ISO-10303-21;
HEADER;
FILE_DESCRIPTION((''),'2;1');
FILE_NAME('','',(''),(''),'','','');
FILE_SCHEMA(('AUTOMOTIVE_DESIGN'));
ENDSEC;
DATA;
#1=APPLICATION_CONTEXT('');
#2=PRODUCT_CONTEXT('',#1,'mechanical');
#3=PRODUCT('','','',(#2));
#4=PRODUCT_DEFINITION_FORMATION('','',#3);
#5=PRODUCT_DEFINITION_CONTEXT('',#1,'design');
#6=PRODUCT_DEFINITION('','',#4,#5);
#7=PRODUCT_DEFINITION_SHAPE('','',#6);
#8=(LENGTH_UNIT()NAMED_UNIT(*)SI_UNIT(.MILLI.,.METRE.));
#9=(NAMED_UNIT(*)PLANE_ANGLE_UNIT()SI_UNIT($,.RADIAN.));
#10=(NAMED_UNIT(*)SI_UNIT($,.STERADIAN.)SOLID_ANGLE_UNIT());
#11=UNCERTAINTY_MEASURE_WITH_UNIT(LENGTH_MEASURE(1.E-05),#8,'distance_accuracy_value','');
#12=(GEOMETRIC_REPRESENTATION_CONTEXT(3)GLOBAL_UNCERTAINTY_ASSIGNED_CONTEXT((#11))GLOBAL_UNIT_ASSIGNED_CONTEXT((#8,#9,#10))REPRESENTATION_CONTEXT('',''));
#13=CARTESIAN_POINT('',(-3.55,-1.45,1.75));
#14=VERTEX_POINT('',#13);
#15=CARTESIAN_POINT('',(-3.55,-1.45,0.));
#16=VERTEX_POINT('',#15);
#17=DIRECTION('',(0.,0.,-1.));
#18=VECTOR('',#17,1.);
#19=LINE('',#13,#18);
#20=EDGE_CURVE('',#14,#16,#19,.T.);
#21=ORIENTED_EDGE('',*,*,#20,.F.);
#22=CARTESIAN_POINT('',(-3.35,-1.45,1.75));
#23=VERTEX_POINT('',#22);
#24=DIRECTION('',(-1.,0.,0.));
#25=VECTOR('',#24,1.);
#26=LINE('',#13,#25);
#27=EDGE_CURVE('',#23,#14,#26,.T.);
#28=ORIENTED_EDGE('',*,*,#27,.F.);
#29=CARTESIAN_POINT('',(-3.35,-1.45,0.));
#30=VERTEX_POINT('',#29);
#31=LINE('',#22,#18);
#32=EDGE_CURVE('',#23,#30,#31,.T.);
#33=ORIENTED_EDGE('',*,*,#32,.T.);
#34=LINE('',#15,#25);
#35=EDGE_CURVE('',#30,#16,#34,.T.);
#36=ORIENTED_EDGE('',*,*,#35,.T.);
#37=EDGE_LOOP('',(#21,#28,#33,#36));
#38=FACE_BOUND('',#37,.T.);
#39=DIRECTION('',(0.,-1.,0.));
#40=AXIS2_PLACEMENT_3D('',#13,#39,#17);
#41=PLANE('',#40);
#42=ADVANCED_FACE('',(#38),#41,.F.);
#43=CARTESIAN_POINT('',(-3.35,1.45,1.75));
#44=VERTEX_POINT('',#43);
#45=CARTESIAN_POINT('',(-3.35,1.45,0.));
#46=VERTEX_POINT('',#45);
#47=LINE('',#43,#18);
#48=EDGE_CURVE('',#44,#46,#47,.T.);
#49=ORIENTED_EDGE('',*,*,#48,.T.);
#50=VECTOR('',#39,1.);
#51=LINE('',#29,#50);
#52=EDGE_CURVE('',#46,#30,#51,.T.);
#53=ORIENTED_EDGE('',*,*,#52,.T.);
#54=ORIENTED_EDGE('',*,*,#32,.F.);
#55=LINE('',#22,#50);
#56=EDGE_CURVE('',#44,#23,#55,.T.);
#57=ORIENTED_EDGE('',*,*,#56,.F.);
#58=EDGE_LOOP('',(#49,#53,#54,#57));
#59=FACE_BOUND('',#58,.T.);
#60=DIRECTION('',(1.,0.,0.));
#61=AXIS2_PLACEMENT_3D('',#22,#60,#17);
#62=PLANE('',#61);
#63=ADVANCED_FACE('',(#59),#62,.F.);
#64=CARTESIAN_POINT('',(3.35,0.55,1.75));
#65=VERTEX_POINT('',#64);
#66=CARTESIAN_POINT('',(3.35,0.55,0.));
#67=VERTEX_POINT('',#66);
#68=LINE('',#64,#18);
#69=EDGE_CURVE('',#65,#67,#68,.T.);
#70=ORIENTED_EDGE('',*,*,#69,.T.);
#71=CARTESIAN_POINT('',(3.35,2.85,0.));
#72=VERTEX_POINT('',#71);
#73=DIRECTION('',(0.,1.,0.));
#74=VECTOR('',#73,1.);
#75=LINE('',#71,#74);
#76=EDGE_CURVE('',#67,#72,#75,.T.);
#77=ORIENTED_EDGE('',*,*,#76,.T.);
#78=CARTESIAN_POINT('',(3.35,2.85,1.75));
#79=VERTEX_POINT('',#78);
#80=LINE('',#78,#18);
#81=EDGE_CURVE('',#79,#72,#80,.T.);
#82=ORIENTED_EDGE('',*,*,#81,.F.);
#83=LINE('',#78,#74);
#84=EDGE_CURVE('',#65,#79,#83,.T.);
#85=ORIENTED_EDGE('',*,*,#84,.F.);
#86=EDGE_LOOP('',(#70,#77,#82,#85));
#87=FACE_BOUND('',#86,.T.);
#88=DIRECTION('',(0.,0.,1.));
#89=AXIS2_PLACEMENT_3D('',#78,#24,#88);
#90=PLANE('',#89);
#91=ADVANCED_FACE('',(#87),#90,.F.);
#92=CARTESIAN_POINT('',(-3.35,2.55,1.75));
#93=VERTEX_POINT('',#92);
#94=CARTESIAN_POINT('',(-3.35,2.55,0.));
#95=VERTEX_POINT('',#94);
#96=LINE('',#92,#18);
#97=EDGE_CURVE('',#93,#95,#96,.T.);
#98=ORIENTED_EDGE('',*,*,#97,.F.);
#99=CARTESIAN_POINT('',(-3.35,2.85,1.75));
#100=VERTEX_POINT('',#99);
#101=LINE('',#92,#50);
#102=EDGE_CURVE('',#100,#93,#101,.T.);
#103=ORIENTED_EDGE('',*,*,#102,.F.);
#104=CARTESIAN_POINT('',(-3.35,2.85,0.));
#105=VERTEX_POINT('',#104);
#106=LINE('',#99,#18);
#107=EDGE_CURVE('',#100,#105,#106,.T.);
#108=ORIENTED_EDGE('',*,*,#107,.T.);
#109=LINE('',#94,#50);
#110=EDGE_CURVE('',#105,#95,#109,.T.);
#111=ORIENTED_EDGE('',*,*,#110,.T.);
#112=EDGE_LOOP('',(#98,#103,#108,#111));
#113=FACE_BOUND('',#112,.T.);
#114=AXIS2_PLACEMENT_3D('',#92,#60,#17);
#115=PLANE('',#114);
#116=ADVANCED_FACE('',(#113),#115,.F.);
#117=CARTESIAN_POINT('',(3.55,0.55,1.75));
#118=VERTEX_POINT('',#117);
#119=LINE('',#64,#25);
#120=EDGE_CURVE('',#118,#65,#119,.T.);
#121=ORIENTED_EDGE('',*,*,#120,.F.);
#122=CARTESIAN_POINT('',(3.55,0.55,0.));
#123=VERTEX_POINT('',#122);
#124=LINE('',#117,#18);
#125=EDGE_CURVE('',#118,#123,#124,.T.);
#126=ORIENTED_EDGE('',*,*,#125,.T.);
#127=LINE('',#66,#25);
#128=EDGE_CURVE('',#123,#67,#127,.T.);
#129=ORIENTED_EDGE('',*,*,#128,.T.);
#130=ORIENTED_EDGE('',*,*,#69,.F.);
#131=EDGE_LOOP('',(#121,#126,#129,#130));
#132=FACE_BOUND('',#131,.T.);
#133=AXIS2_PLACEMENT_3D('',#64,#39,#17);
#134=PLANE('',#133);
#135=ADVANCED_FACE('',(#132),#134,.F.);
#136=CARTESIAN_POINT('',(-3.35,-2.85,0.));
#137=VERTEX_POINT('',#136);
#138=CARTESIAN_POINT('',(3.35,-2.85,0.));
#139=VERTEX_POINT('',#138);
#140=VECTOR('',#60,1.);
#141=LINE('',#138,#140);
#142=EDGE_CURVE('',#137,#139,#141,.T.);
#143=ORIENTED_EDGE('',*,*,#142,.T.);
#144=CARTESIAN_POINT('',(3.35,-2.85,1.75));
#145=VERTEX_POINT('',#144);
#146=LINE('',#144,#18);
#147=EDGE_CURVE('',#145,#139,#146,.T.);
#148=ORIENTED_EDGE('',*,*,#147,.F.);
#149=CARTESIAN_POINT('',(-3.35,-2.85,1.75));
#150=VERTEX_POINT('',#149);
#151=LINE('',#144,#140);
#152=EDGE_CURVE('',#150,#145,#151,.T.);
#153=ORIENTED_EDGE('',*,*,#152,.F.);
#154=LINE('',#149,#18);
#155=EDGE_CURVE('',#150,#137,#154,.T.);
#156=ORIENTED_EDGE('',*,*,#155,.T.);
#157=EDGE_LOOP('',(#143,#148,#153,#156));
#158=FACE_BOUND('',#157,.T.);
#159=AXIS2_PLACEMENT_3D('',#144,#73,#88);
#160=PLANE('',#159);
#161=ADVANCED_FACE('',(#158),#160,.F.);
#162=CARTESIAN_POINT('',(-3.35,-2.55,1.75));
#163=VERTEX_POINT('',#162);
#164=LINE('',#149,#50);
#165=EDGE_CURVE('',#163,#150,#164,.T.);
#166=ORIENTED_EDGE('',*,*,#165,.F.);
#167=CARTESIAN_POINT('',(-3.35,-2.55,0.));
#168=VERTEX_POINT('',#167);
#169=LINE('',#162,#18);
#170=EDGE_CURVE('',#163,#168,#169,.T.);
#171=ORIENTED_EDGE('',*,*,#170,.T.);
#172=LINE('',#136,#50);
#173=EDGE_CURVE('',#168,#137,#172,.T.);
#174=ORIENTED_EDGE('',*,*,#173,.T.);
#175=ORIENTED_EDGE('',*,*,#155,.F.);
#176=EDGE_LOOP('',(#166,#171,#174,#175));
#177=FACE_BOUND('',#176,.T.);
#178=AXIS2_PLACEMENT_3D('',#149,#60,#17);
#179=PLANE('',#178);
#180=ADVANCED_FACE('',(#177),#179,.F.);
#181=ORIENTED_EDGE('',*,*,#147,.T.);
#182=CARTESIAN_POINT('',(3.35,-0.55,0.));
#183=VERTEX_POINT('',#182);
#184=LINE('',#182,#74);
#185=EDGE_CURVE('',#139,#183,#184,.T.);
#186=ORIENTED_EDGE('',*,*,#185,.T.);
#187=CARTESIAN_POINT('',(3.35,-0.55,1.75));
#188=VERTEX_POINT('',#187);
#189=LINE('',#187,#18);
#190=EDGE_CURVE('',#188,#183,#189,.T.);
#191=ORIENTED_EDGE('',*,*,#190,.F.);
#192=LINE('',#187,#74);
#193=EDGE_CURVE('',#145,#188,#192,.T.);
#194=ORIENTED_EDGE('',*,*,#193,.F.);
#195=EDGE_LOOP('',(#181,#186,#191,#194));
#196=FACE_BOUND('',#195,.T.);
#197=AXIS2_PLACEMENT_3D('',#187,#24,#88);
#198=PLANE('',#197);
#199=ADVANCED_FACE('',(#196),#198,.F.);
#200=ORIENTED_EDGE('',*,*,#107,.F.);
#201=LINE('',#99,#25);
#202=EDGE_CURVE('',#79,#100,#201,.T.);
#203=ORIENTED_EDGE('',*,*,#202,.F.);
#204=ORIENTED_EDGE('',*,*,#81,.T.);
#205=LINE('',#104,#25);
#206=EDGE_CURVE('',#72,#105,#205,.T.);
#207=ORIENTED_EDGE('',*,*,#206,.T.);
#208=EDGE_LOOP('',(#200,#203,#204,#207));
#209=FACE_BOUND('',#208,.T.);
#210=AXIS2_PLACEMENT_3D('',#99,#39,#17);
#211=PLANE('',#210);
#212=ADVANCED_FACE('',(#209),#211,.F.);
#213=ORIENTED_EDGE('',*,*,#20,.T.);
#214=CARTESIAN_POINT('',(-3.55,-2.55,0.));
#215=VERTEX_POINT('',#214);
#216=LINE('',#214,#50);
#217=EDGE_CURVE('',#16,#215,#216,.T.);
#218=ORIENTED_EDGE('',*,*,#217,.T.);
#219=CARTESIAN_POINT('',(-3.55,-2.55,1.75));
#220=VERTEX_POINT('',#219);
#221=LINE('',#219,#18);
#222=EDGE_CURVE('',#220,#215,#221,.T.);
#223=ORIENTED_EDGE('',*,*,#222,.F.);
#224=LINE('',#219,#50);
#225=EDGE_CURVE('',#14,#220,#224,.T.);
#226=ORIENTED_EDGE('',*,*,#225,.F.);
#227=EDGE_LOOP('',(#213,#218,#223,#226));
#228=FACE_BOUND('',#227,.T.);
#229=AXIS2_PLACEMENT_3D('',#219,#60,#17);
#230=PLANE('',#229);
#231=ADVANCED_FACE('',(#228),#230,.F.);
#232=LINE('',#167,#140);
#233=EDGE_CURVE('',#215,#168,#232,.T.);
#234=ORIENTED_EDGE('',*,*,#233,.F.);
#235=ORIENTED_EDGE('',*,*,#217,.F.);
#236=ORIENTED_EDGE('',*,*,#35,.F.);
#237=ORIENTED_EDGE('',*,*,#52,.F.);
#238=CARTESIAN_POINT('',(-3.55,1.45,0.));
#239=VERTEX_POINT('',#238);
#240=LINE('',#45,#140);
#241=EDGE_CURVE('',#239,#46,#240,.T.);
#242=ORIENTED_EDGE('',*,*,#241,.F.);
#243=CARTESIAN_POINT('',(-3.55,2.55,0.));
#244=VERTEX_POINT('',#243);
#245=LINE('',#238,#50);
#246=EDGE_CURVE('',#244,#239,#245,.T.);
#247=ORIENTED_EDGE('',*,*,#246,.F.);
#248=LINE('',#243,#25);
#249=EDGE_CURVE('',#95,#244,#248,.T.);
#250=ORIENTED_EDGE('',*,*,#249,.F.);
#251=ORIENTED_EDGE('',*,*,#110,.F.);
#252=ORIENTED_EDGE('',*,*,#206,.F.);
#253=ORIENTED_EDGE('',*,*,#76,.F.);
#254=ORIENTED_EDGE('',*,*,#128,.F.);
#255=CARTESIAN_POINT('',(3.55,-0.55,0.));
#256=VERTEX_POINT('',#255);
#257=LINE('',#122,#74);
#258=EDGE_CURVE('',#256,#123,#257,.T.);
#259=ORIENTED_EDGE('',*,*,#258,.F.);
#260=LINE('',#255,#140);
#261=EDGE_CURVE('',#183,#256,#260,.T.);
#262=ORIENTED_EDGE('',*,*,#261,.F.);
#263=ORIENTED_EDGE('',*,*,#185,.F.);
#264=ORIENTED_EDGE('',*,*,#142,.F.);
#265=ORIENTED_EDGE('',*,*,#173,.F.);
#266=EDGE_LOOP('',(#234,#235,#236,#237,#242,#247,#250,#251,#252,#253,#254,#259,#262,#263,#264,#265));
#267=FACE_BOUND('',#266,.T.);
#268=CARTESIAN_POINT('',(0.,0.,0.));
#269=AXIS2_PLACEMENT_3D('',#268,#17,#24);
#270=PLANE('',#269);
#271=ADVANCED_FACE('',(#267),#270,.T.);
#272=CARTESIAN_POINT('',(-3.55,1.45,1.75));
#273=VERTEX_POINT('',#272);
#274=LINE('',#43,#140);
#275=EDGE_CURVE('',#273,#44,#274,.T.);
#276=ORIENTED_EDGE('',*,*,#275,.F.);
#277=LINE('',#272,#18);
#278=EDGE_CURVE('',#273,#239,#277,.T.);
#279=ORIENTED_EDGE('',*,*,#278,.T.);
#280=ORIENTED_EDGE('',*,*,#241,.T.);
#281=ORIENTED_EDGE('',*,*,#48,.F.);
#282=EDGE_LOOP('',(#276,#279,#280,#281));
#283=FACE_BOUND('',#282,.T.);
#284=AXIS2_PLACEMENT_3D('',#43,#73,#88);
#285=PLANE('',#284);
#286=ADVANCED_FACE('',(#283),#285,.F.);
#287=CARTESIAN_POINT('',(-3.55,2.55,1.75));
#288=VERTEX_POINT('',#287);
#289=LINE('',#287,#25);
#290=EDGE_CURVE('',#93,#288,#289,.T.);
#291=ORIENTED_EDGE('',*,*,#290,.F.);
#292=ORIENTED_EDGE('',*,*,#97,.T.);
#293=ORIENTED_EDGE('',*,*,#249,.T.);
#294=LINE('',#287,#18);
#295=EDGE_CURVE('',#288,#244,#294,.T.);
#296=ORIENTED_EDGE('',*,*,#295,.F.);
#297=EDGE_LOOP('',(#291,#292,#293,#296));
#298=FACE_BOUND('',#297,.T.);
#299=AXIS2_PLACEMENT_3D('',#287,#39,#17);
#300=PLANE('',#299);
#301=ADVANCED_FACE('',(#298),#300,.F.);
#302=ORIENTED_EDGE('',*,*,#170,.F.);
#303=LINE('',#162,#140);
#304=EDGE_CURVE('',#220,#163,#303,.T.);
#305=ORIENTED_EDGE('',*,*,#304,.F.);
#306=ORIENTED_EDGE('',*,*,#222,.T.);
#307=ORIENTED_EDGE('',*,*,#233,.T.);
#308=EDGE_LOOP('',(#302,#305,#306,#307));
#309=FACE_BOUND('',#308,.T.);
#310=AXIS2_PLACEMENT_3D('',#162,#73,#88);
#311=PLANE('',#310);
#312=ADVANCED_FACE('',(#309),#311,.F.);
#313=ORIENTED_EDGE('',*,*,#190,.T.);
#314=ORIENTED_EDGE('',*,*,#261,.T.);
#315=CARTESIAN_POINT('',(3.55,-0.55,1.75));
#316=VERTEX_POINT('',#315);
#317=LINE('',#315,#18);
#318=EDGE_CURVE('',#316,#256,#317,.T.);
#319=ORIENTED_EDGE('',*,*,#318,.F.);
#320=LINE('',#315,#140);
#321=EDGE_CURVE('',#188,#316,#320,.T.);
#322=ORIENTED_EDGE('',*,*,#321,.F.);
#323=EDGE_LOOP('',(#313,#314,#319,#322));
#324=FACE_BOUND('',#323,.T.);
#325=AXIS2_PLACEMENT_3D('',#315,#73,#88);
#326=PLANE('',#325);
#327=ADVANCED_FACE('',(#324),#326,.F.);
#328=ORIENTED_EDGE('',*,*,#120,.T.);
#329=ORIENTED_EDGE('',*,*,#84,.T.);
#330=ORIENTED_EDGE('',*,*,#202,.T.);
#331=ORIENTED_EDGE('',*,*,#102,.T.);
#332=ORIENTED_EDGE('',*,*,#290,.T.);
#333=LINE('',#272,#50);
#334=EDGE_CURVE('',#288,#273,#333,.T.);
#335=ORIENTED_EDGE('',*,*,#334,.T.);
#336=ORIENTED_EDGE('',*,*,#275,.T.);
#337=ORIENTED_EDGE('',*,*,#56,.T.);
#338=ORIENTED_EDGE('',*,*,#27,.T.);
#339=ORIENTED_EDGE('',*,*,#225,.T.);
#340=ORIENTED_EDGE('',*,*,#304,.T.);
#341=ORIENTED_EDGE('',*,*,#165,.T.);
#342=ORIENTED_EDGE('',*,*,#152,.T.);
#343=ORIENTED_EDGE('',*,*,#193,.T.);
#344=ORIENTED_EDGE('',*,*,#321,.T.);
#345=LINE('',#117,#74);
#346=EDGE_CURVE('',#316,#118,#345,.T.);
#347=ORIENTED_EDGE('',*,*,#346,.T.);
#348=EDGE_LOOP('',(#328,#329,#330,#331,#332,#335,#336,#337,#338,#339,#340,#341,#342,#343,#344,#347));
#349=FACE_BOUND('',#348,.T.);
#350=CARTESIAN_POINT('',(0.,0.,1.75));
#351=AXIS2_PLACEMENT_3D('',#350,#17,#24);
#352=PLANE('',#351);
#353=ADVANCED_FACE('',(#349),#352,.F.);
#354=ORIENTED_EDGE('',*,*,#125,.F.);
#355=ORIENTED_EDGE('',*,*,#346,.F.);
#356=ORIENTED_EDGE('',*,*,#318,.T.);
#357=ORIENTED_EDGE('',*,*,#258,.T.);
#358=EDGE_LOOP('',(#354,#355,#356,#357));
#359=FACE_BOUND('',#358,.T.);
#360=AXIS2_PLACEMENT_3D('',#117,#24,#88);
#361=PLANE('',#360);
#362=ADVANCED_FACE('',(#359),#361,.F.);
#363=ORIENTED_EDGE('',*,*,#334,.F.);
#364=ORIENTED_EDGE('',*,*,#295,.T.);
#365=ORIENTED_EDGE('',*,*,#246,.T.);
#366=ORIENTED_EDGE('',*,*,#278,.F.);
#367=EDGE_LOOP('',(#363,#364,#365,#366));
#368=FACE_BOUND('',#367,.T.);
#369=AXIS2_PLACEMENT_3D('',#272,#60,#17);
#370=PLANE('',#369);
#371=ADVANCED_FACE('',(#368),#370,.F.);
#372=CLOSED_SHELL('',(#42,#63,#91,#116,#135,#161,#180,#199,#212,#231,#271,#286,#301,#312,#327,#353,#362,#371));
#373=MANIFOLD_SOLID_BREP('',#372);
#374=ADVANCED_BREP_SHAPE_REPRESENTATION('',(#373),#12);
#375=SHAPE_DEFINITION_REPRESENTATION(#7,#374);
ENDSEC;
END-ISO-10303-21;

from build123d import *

# Parameters (mm, degrees)
COMPONENT_OUTLINE_DEPTH = 1.75


with BuildPart() as part:
    # 草图1 → Component_Outline (new body)
    with BuildSketch(Plane.XY):
        Polygon((-3.35, -2.85), (-3.35, -2.55), (-3.55, -2.55), (-3.55, -1.45), (-3.35, -1.45), (-3.35, 1.45), (-3.55, 1.45), (-3.55, 2.55), (-3.35, 2.55), (-3.35, 2.85), (3.35, 2.85), (3.35, 0.55), (3.55, 0.55), (3.55, -0.55), (3.35, -0.55), (3.35, -2.85), align=None)
    extrude(amount=COMPONENT_OUTLINE_DEPTH)


solid = part.part
